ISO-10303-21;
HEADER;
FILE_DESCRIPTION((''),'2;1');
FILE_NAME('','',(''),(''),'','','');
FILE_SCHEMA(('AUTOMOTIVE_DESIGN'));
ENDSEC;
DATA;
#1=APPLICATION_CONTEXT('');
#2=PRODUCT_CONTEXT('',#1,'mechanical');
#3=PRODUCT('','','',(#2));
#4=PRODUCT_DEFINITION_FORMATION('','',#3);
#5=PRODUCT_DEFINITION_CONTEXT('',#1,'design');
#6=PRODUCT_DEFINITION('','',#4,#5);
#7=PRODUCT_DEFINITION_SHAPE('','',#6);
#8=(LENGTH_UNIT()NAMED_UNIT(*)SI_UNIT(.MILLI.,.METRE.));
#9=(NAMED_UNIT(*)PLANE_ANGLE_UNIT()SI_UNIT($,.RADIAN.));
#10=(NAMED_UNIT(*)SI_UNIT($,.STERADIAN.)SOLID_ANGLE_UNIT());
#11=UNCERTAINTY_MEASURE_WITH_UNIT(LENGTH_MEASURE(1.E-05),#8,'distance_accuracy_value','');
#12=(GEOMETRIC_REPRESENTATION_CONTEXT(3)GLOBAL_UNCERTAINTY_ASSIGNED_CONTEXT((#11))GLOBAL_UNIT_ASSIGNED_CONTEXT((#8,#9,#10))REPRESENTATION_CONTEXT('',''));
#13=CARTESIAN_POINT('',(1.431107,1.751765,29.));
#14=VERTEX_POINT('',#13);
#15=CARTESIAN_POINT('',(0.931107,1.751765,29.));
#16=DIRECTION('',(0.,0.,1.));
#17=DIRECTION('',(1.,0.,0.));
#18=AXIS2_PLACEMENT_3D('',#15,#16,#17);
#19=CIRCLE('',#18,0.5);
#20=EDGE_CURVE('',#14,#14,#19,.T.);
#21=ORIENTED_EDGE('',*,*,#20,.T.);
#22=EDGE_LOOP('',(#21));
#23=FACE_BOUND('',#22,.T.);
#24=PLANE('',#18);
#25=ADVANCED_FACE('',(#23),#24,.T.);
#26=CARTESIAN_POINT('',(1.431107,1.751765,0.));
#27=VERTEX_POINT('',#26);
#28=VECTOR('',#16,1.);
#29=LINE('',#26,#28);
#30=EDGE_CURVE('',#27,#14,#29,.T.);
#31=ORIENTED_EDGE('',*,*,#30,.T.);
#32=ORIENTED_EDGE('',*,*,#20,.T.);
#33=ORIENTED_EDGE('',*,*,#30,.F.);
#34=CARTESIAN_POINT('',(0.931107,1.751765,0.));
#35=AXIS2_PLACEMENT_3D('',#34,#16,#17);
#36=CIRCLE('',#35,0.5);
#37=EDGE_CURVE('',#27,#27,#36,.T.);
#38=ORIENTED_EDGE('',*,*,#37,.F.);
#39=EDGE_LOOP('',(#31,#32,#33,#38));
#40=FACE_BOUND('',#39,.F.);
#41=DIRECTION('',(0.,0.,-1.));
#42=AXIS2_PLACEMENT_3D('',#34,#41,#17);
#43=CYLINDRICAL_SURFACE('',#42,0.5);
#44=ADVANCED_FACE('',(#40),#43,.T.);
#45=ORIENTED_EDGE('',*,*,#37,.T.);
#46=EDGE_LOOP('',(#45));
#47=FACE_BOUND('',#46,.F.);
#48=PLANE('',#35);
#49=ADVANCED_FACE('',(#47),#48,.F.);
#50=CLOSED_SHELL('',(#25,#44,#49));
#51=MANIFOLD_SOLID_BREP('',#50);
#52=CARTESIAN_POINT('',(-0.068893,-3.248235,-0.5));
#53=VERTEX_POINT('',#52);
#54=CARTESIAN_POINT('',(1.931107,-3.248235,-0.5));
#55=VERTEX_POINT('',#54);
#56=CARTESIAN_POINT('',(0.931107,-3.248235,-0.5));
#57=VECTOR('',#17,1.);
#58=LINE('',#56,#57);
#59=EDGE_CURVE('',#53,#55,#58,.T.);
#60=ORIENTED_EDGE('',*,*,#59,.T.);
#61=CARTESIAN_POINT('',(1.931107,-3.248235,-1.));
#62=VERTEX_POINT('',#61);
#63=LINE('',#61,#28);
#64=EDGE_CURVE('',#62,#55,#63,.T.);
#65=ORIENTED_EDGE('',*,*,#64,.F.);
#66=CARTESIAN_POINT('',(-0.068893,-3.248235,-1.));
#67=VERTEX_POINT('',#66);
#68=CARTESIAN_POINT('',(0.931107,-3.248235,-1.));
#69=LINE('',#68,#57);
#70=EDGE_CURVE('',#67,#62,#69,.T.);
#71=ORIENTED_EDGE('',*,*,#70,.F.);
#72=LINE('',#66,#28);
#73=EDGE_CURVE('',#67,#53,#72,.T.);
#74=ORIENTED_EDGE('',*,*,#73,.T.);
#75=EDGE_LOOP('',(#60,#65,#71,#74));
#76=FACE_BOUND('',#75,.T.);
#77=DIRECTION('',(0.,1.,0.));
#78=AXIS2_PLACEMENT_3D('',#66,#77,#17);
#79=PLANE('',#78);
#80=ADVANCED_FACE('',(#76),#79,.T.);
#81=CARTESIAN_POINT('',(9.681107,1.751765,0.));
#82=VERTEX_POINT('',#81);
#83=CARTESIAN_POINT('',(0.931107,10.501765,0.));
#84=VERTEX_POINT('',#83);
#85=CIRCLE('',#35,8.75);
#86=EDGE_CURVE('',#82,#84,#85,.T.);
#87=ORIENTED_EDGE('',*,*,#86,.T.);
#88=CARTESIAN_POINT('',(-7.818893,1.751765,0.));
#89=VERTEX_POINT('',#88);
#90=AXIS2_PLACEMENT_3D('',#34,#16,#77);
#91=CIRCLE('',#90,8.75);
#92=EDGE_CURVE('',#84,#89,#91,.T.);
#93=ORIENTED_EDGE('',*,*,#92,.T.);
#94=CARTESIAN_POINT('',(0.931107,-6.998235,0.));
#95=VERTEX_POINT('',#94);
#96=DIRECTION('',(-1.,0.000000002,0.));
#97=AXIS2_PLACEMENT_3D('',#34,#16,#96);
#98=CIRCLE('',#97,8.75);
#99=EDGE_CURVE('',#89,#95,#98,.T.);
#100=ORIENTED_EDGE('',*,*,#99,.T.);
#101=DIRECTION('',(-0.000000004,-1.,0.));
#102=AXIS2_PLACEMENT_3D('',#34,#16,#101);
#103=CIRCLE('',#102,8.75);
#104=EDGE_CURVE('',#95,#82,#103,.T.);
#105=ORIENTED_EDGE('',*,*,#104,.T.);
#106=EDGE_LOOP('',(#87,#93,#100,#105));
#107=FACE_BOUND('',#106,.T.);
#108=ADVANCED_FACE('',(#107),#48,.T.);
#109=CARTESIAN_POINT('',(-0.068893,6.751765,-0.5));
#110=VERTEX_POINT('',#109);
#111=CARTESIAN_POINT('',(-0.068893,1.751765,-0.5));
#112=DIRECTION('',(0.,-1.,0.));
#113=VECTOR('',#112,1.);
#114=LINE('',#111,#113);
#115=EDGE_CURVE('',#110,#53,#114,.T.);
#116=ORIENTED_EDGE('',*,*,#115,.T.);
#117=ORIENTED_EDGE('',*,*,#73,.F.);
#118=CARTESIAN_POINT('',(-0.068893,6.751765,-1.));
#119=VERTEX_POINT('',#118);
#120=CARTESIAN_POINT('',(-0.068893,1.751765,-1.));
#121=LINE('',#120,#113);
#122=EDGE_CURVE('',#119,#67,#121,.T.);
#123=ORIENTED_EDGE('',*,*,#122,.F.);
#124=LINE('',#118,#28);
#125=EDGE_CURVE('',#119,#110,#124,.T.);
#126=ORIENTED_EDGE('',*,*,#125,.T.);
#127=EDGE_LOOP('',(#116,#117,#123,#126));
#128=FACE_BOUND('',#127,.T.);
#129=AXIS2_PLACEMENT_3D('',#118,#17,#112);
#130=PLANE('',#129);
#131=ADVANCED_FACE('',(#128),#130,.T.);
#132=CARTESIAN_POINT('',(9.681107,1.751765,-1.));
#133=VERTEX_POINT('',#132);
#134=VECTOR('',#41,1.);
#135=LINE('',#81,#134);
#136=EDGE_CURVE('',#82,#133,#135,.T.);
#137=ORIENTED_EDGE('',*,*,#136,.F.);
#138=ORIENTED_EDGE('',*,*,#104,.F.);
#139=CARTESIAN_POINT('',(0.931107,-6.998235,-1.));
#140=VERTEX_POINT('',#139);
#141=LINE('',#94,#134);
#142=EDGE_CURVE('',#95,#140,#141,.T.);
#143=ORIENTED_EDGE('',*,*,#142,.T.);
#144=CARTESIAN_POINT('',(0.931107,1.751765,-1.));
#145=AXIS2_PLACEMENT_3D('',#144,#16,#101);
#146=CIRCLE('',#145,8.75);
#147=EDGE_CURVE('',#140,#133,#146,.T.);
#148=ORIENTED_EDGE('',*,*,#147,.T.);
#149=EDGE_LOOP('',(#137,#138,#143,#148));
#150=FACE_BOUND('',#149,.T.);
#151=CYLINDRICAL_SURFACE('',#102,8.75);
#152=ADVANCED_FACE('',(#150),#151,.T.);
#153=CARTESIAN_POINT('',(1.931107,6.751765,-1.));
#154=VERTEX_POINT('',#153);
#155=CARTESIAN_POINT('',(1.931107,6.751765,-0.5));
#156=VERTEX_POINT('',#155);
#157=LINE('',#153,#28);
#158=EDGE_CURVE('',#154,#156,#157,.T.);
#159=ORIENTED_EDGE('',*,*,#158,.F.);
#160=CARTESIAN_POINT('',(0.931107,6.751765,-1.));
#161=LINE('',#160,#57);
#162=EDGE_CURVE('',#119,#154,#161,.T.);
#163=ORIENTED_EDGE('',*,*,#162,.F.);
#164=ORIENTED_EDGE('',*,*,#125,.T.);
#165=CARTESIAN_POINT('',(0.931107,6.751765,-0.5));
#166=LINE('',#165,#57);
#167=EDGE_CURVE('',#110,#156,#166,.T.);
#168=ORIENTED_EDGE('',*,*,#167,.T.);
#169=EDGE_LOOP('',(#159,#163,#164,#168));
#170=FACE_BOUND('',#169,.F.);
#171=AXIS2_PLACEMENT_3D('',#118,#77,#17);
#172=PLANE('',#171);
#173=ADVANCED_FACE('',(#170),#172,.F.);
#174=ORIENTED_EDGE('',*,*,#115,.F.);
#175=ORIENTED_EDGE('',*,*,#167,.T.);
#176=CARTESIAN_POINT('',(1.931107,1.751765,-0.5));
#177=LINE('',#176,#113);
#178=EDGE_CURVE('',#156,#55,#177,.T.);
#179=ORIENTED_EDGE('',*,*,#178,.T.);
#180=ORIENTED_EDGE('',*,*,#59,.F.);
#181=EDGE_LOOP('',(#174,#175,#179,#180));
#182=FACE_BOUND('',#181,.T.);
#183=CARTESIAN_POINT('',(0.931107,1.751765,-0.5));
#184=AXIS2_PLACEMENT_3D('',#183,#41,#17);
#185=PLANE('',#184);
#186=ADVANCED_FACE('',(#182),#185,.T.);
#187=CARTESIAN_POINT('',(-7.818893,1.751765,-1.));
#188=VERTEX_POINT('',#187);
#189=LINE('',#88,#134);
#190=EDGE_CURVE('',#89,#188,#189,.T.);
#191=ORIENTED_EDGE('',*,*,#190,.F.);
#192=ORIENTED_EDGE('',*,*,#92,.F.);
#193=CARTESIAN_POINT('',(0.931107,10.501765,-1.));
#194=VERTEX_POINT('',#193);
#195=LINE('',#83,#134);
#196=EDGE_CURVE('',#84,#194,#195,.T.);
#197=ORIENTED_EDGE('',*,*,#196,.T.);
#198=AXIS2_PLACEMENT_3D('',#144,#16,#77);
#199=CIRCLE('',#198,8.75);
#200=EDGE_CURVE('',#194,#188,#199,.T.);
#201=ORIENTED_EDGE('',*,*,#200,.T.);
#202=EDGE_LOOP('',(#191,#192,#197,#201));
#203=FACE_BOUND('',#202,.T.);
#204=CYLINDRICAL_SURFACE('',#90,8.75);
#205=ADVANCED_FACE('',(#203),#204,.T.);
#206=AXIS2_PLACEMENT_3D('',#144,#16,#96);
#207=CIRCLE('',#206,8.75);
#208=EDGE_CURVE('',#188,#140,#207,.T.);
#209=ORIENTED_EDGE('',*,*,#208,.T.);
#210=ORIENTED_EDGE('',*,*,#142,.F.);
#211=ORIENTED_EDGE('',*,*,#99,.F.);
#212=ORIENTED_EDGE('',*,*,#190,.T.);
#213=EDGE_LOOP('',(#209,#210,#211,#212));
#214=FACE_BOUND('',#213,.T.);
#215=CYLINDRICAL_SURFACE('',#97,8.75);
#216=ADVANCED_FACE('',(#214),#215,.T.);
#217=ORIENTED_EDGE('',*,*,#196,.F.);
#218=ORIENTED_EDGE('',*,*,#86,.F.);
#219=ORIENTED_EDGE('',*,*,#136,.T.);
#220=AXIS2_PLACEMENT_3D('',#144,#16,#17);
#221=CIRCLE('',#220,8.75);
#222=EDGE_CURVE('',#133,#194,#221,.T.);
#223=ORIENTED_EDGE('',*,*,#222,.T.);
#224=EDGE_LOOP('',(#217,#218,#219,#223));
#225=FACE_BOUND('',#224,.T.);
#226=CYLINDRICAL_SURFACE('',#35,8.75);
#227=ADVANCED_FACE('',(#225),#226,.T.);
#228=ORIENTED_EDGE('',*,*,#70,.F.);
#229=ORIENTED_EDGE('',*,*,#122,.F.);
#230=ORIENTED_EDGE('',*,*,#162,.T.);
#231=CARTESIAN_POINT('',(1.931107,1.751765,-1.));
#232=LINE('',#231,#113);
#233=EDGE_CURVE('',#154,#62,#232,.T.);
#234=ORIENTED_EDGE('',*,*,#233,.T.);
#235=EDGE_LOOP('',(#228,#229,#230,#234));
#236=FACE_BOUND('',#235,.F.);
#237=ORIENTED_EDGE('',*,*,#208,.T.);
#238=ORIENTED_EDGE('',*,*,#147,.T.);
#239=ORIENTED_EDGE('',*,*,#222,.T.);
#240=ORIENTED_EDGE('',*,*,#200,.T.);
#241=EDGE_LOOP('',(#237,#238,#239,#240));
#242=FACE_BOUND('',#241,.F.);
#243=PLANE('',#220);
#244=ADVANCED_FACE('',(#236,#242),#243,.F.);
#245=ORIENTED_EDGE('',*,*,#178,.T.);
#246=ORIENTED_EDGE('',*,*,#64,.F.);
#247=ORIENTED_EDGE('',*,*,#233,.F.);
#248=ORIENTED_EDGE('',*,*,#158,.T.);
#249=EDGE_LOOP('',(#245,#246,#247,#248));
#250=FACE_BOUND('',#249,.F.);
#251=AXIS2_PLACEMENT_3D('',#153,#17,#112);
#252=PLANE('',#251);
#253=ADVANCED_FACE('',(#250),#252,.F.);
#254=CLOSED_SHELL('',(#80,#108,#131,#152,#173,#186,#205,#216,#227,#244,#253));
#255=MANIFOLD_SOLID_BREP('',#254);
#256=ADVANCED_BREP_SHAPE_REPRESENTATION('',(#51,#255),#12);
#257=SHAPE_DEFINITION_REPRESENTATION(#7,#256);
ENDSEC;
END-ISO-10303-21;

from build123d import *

# Parameters (mm, degrees)
F0_R     = 8.2478578746
F0_R_2   = 0.5
F1_DEPTH = 1
F2_DEPTH = 29
F3_W     = 2
F3_H     = 10
F4_DEPTH = 0.5


with BuildPart() as f1:
    # F0 (on Top) → F1 (new body)
    with BuildSketch(Plane.XY):
        with BuildLine():
            ThreePointArc((9.6811072342, 1.7517649983), (7.1182915696, 7.9389493337), (0.9311072342, 10.5017649983))
            ThreePointArc((0.9311072342, 10.5017649983), (-5.2560770936, 7.9389493412), (-7.8188927658, 1.7517650196))
            ThreePointArc((-7.8188927658, 1.7517650196), (-5.2560771201, -4.4354193182), (0.931107202, -6.9982350017))
            ThreePointArc((0.931107202, -6.9982350017), (7.1182915582, -4.4354193485), (9.6811072342, 1.7517649983))
        make_face()
        with Locations((0.9311072342, 1.7517649983)):
            Circle(F0_R, mode=Mode.SUBTRACT)
        with Locations((0.9311072342, 1.7517649983)):
            Circle(F0_R)
        with Locations((0.9311072342, 1.7517649983)):
            Circle(F0_R_2, mode=Mode.SUBTRACT)
        with Locations((0.9311072342, 1.7517649983)):
            Circle(F0_R_2)
    extrude(amount=-F1_DEPTH)

    # F3 (on face) → F4 (cut)
    with BuildSketch(Plane(origin=(0, 0, -1), x_dir=(1, 0, 0), z_dir=(0, 0, -1))):
        with Locations((0.9311072342, -1.7517649983)):
            Rectangle(F3_W, F3_H)
    extrude(amount=-F4_DEPTH, mode=Mode.SUBTRACT)


with BuildPart() as f2:
    # F0 (on Top) → F2 (new body)
    with BuildSketch(Plane.XY):
        with Locations((0.9311072342, 1.7517649983)):
            Circle(F0_R_2)
    extrude(amount=F2_DEPTH)


solid = Compound([f1.part, f2.part])
